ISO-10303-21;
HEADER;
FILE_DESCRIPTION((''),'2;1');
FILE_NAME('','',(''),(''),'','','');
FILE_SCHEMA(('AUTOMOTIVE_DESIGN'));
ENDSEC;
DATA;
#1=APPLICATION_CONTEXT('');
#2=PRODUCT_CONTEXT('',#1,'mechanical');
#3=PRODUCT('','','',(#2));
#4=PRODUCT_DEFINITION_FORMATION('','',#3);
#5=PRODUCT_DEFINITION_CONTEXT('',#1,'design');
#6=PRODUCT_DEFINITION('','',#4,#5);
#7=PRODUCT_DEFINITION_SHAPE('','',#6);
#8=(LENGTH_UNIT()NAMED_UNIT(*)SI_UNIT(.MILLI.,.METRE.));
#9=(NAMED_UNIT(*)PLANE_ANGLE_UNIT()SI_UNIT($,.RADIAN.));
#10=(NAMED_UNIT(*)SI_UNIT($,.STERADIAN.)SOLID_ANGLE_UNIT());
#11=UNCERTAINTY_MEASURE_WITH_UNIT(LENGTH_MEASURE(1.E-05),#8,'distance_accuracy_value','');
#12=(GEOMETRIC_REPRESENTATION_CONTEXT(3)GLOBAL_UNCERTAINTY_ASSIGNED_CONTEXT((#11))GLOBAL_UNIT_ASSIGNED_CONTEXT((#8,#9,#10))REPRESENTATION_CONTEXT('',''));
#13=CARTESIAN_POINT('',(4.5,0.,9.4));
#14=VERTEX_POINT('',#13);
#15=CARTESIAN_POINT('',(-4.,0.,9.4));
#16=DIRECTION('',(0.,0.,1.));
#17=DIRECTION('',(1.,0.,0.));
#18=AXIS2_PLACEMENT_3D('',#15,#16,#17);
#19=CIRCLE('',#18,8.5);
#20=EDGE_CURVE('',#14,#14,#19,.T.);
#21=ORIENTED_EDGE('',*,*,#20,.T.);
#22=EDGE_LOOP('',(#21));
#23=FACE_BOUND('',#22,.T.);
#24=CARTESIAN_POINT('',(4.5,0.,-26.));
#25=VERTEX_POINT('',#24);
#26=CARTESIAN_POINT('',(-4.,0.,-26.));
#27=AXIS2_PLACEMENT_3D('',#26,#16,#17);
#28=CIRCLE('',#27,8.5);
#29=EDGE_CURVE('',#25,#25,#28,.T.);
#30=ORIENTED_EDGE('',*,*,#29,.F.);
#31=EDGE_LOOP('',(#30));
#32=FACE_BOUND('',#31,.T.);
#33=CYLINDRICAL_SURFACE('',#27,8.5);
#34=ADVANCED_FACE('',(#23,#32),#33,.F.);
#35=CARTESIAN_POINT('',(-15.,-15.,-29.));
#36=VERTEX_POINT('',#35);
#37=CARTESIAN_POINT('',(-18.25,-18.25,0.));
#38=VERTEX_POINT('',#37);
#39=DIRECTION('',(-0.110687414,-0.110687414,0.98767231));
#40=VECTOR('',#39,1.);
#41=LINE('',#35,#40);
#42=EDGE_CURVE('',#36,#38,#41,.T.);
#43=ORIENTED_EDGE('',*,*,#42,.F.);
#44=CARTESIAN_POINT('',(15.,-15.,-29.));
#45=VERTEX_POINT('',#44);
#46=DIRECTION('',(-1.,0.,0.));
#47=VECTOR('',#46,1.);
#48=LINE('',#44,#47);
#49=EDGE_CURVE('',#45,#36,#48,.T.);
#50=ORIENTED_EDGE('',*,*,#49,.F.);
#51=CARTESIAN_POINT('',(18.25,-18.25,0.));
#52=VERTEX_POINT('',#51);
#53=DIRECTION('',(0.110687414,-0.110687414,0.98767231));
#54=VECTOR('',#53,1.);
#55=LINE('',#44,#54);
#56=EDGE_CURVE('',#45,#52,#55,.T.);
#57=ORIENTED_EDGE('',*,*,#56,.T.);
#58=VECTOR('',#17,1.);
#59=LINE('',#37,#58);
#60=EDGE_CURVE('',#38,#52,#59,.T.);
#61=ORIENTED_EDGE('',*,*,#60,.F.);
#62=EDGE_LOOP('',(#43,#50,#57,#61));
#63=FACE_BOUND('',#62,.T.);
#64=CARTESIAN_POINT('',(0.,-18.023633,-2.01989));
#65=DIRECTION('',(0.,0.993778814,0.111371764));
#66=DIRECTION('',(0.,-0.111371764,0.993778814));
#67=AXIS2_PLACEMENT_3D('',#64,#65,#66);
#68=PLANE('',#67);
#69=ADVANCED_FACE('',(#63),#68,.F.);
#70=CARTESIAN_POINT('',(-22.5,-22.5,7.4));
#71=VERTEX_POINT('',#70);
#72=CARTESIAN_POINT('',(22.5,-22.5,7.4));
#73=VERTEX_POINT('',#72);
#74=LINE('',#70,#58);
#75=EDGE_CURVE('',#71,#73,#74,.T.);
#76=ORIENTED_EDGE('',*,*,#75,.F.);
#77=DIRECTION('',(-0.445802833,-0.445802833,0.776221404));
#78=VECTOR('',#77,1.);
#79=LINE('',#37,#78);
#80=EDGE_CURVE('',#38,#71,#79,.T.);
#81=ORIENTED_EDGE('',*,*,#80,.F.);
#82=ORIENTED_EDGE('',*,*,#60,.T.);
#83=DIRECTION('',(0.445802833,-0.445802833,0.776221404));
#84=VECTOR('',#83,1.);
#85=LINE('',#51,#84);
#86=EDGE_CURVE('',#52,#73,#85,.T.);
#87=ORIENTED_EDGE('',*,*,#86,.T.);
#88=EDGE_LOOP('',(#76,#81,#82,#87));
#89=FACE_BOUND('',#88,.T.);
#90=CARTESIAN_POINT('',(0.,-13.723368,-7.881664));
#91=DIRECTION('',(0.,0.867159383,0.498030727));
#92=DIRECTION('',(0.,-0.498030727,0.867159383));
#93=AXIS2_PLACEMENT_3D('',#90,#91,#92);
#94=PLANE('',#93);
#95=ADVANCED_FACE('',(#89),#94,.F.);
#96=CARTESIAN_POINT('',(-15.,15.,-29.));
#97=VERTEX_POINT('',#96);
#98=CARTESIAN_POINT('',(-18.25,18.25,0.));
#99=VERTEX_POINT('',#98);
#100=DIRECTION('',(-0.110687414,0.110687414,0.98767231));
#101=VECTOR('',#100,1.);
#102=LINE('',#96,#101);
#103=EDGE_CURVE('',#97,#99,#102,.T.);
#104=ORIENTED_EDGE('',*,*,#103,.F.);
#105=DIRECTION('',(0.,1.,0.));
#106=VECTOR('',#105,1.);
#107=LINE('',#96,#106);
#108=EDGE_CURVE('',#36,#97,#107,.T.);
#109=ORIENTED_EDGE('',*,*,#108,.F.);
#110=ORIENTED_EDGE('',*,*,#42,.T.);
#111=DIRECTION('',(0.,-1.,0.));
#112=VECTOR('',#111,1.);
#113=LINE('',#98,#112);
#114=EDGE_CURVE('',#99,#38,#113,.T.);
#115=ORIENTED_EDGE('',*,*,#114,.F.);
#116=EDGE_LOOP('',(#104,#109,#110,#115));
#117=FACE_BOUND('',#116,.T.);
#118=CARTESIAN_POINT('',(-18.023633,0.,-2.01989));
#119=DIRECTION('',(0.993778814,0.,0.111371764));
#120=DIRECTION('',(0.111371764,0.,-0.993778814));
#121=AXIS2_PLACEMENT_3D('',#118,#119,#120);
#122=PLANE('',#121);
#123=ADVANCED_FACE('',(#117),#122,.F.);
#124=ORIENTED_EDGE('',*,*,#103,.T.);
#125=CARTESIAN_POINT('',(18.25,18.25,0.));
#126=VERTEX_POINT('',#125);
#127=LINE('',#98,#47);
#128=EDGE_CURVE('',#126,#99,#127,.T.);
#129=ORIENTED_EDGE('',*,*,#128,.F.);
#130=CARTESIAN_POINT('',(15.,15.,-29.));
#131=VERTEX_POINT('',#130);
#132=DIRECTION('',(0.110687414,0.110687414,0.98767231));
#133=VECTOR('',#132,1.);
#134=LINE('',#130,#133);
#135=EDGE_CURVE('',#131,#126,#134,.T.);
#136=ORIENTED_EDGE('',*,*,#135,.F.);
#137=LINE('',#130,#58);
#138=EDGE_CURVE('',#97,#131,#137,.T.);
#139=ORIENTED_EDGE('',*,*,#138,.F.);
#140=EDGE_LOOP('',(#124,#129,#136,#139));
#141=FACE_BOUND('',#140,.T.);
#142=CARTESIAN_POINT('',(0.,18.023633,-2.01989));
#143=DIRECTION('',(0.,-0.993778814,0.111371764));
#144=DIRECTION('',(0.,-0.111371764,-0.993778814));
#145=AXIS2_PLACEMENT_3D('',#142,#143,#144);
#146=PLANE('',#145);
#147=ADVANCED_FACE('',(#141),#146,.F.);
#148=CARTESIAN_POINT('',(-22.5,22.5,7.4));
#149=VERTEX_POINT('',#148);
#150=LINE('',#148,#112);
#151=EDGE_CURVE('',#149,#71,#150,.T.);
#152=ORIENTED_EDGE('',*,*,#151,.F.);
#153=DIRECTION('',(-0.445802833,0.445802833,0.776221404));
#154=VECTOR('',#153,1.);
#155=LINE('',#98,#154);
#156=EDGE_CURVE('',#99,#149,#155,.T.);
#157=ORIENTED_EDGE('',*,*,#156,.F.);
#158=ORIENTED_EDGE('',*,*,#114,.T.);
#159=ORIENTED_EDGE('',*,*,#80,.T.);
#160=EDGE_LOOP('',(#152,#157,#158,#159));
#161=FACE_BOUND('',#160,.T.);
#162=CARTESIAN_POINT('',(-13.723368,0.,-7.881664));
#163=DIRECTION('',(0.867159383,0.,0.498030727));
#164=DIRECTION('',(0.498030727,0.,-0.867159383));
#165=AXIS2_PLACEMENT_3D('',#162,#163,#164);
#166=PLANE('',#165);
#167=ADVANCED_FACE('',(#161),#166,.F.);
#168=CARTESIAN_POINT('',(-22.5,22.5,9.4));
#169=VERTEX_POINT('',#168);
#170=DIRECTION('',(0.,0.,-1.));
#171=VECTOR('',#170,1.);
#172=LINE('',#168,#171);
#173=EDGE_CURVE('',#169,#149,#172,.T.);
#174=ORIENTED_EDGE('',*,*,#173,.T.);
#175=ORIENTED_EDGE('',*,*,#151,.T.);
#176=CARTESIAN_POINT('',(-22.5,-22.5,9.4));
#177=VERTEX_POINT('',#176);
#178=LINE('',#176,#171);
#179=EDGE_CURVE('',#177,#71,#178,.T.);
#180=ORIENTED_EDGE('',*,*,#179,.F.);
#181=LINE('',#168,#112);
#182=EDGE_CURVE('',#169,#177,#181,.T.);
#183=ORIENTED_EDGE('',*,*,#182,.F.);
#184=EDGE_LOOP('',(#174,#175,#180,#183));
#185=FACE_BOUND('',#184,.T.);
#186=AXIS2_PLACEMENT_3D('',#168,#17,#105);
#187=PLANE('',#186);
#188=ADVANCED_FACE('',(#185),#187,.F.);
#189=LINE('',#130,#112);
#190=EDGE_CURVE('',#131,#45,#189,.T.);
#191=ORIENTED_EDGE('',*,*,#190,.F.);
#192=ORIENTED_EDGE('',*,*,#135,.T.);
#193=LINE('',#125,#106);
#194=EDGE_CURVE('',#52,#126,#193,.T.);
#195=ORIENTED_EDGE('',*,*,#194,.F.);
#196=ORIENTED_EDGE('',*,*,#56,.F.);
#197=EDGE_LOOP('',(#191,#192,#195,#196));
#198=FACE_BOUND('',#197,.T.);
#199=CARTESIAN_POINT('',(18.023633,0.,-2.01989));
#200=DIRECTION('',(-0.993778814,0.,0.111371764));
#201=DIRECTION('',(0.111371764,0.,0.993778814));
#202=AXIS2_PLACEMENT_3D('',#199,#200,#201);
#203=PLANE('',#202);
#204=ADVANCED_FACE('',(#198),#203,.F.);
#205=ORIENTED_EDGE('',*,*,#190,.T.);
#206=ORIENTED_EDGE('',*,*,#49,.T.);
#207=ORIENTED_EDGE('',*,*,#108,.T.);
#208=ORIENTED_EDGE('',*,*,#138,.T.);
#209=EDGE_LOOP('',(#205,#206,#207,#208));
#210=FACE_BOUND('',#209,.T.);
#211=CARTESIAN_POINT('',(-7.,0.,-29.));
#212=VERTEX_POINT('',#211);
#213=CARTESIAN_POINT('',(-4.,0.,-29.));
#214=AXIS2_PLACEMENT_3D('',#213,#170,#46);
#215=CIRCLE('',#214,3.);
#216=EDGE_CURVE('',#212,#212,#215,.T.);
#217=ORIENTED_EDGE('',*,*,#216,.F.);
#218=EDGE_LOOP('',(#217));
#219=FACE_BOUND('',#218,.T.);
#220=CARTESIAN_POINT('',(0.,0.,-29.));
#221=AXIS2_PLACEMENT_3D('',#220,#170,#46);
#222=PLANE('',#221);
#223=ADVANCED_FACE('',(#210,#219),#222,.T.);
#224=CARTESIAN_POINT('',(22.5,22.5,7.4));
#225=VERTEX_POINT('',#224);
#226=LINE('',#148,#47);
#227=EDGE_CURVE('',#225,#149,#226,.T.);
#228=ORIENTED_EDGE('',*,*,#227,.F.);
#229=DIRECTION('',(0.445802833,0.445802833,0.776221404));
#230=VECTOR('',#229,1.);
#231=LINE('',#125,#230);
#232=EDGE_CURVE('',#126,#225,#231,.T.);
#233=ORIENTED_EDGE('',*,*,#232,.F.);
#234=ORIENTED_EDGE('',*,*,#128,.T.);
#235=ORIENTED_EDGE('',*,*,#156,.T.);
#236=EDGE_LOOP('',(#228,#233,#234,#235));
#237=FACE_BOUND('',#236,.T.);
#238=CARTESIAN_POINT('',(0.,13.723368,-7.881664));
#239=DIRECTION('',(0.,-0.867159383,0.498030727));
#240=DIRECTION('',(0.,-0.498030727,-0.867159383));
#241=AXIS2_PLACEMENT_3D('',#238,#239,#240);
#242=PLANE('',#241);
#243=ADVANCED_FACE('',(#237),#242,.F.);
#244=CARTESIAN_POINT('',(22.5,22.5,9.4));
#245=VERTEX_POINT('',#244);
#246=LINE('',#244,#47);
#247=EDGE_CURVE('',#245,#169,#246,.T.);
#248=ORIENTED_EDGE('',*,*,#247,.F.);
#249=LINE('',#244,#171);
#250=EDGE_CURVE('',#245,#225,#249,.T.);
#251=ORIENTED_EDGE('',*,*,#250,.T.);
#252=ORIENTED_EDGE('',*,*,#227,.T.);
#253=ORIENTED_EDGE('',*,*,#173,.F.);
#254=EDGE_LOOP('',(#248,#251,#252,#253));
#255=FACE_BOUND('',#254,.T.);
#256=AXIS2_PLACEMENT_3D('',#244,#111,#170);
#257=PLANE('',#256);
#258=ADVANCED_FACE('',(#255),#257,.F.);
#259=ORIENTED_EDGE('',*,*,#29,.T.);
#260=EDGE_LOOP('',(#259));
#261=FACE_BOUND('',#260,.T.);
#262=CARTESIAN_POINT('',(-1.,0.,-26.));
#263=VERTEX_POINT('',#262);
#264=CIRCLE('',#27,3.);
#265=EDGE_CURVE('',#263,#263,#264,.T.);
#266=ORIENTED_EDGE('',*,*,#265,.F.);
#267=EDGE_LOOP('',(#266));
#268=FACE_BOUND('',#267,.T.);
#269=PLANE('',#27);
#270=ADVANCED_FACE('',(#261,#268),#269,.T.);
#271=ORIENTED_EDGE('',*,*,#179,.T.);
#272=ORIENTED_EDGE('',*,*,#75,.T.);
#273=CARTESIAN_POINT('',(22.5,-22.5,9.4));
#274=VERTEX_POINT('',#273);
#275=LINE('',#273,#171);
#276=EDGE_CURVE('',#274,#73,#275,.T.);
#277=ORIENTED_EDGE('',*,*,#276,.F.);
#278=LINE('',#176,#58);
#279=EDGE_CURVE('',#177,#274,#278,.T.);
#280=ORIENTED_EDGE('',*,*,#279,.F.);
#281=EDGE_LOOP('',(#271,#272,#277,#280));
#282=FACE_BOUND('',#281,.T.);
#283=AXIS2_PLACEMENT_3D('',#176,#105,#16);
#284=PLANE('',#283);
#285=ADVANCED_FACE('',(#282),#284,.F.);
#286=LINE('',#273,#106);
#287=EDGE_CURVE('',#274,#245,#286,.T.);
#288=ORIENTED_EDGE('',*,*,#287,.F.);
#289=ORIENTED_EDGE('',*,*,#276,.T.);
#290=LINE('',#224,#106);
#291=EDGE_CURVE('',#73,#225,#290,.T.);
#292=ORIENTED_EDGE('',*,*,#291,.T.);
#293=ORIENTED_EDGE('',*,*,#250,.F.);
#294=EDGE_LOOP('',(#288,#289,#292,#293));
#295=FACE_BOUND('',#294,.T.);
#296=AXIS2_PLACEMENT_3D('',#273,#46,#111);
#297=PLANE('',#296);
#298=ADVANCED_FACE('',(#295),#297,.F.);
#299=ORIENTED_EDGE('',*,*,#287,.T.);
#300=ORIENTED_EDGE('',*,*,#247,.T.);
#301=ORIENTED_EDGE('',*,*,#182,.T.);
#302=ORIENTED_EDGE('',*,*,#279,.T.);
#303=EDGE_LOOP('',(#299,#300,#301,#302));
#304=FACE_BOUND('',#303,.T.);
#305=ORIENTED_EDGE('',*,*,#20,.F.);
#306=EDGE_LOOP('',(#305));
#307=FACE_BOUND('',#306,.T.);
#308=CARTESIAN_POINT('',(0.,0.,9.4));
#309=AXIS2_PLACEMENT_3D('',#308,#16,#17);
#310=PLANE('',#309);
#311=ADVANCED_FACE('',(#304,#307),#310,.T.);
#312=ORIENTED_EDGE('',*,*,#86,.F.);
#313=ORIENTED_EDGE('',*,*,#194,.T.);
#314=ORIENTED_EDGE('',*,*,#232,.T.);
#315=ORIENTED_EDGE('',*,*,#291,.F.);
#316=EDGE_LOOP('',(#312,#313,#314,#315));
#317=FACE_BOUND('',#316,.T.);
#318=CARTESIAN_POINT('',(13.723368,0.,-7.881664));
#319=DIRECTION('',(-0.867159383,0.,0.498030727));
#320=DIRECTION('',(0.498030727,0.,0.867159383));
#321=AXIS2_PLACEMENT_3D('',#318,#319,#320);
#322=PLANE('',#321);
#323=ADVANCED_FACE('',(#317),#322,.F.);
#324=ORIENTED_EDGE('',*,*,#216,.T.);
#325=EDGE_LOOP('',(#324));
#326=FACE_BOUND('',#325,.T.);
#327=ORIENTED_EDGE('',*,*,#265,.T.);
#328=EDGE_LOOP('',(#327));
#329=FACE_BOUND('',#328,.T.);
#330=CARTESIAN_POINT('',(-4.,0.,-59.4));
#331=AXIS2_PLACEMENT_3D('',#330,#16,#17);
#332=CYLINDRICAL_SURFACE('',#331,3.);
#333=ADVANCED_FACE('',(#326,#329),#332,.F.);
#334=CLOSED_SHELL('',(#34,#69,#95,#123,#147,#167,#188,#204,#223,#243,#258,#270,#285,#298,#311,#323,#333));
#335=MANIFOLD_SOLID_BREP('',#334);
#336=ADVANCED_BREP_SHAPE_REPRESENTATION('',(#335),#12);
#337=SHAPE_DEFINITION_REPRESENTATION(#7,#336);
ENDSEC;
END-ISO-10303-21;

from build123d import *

# Parameters (mm, degrees)
SKETCH_4_R          = 8.5
CUT_EXTRUDE_1_DEPTH = 33.4
SKETCH_5_R          = 3
CUT_EXTRUDE_2_DEPTH = 33.4
EXTRUDE_START       = 2
SKETCH_6_W          = 45
SKETCH_6_H          = 45
SKETCH_6_R          = 8.5
EXTRUDE_1_DEPTH     = 2


with BuildPart() as part:
    # 草图1 → 放样1 section 0
    with BuildSketch(Plane.XY):
        with BuildLine():
            Line((-18.25, 18.25), (18.25, 18.25))
            Line((18.25, 18.25), (18.25, -18.25))
            Line((18.25, -18.25), (-18.25, -18.25))
            Line((-18.25, -18.25), (-18.25, 18.25))
        make_face()
    # 草图2 → 放样1 section 1
    with BuildSketch(Plane.XY.offset(7.4)):
        with BuildLine():
            Line((-22.5, 22.5), (22.5, 22.5))
            Line((22.5, 22.5), (22.5, -22.5))
            Line((22.5, -22.5), (-22.5, -22.5))
            Line((-22.5, -22.5), (-22.5, 22.5))
        make_face()
    loft()

    # 草图3 → section 0 of loft_2
    with BuildSketch(Plane(origin=(0, 0, -29), x_dir=(-1, 0, 0), z_dir=(0, 0, -1)), mode=Mode.PRIVATE) as loft_2_s0:
        with BuildLine():
            Line((-15, 15), (15, 15))
            Line((15, 15), (15, -15))
            Line((15, -15), (-15, -15))
            Line((-15, -15), (-15, 15))
        make_face()
    # loft up to a face of the part (loft_2)
    loft([loft_2_s0.sketch, part.faces().sort_by_distance((0, 0, 0))[0]])

    # 草图4 → 切除-拉伸1 (cut)
    with BuildSketch(Plane.XY.offset(7.4)):
        with Locations((-4, 0)):
            Circle(SKETCH_4_R)
    extrude(amount=-CUT_EXTRUDE_1_DEPTH, mode=Mode.SUBTRACT)

    # 草图5 → 切除-拉伸2 (cut)
    with BuildSketch(Plane.XY.offset(-26)):
        with Locations((-4, 0)):
            Circle(SKETCH_5_R)
    extrude(amount=-CUT_EXTRUDE_2_DEPTH, mode=Mode.SUBTRACT)

    # 草图6 → 凸台-拉伸1 (add)
    with BuildSketch(Plane.XY.offset(7.4).offset(EXTRUDE_START)):
        Rectangle(SKETCH_6_W, SKETCH_6_H)
        with Locations((-4, 0)):
            Circle(SKETCH_6_R, mode=Mode.SUBTRACT)
    extrude(amount=-EXTRUDE_1_DEPTH)


solid = part.part
